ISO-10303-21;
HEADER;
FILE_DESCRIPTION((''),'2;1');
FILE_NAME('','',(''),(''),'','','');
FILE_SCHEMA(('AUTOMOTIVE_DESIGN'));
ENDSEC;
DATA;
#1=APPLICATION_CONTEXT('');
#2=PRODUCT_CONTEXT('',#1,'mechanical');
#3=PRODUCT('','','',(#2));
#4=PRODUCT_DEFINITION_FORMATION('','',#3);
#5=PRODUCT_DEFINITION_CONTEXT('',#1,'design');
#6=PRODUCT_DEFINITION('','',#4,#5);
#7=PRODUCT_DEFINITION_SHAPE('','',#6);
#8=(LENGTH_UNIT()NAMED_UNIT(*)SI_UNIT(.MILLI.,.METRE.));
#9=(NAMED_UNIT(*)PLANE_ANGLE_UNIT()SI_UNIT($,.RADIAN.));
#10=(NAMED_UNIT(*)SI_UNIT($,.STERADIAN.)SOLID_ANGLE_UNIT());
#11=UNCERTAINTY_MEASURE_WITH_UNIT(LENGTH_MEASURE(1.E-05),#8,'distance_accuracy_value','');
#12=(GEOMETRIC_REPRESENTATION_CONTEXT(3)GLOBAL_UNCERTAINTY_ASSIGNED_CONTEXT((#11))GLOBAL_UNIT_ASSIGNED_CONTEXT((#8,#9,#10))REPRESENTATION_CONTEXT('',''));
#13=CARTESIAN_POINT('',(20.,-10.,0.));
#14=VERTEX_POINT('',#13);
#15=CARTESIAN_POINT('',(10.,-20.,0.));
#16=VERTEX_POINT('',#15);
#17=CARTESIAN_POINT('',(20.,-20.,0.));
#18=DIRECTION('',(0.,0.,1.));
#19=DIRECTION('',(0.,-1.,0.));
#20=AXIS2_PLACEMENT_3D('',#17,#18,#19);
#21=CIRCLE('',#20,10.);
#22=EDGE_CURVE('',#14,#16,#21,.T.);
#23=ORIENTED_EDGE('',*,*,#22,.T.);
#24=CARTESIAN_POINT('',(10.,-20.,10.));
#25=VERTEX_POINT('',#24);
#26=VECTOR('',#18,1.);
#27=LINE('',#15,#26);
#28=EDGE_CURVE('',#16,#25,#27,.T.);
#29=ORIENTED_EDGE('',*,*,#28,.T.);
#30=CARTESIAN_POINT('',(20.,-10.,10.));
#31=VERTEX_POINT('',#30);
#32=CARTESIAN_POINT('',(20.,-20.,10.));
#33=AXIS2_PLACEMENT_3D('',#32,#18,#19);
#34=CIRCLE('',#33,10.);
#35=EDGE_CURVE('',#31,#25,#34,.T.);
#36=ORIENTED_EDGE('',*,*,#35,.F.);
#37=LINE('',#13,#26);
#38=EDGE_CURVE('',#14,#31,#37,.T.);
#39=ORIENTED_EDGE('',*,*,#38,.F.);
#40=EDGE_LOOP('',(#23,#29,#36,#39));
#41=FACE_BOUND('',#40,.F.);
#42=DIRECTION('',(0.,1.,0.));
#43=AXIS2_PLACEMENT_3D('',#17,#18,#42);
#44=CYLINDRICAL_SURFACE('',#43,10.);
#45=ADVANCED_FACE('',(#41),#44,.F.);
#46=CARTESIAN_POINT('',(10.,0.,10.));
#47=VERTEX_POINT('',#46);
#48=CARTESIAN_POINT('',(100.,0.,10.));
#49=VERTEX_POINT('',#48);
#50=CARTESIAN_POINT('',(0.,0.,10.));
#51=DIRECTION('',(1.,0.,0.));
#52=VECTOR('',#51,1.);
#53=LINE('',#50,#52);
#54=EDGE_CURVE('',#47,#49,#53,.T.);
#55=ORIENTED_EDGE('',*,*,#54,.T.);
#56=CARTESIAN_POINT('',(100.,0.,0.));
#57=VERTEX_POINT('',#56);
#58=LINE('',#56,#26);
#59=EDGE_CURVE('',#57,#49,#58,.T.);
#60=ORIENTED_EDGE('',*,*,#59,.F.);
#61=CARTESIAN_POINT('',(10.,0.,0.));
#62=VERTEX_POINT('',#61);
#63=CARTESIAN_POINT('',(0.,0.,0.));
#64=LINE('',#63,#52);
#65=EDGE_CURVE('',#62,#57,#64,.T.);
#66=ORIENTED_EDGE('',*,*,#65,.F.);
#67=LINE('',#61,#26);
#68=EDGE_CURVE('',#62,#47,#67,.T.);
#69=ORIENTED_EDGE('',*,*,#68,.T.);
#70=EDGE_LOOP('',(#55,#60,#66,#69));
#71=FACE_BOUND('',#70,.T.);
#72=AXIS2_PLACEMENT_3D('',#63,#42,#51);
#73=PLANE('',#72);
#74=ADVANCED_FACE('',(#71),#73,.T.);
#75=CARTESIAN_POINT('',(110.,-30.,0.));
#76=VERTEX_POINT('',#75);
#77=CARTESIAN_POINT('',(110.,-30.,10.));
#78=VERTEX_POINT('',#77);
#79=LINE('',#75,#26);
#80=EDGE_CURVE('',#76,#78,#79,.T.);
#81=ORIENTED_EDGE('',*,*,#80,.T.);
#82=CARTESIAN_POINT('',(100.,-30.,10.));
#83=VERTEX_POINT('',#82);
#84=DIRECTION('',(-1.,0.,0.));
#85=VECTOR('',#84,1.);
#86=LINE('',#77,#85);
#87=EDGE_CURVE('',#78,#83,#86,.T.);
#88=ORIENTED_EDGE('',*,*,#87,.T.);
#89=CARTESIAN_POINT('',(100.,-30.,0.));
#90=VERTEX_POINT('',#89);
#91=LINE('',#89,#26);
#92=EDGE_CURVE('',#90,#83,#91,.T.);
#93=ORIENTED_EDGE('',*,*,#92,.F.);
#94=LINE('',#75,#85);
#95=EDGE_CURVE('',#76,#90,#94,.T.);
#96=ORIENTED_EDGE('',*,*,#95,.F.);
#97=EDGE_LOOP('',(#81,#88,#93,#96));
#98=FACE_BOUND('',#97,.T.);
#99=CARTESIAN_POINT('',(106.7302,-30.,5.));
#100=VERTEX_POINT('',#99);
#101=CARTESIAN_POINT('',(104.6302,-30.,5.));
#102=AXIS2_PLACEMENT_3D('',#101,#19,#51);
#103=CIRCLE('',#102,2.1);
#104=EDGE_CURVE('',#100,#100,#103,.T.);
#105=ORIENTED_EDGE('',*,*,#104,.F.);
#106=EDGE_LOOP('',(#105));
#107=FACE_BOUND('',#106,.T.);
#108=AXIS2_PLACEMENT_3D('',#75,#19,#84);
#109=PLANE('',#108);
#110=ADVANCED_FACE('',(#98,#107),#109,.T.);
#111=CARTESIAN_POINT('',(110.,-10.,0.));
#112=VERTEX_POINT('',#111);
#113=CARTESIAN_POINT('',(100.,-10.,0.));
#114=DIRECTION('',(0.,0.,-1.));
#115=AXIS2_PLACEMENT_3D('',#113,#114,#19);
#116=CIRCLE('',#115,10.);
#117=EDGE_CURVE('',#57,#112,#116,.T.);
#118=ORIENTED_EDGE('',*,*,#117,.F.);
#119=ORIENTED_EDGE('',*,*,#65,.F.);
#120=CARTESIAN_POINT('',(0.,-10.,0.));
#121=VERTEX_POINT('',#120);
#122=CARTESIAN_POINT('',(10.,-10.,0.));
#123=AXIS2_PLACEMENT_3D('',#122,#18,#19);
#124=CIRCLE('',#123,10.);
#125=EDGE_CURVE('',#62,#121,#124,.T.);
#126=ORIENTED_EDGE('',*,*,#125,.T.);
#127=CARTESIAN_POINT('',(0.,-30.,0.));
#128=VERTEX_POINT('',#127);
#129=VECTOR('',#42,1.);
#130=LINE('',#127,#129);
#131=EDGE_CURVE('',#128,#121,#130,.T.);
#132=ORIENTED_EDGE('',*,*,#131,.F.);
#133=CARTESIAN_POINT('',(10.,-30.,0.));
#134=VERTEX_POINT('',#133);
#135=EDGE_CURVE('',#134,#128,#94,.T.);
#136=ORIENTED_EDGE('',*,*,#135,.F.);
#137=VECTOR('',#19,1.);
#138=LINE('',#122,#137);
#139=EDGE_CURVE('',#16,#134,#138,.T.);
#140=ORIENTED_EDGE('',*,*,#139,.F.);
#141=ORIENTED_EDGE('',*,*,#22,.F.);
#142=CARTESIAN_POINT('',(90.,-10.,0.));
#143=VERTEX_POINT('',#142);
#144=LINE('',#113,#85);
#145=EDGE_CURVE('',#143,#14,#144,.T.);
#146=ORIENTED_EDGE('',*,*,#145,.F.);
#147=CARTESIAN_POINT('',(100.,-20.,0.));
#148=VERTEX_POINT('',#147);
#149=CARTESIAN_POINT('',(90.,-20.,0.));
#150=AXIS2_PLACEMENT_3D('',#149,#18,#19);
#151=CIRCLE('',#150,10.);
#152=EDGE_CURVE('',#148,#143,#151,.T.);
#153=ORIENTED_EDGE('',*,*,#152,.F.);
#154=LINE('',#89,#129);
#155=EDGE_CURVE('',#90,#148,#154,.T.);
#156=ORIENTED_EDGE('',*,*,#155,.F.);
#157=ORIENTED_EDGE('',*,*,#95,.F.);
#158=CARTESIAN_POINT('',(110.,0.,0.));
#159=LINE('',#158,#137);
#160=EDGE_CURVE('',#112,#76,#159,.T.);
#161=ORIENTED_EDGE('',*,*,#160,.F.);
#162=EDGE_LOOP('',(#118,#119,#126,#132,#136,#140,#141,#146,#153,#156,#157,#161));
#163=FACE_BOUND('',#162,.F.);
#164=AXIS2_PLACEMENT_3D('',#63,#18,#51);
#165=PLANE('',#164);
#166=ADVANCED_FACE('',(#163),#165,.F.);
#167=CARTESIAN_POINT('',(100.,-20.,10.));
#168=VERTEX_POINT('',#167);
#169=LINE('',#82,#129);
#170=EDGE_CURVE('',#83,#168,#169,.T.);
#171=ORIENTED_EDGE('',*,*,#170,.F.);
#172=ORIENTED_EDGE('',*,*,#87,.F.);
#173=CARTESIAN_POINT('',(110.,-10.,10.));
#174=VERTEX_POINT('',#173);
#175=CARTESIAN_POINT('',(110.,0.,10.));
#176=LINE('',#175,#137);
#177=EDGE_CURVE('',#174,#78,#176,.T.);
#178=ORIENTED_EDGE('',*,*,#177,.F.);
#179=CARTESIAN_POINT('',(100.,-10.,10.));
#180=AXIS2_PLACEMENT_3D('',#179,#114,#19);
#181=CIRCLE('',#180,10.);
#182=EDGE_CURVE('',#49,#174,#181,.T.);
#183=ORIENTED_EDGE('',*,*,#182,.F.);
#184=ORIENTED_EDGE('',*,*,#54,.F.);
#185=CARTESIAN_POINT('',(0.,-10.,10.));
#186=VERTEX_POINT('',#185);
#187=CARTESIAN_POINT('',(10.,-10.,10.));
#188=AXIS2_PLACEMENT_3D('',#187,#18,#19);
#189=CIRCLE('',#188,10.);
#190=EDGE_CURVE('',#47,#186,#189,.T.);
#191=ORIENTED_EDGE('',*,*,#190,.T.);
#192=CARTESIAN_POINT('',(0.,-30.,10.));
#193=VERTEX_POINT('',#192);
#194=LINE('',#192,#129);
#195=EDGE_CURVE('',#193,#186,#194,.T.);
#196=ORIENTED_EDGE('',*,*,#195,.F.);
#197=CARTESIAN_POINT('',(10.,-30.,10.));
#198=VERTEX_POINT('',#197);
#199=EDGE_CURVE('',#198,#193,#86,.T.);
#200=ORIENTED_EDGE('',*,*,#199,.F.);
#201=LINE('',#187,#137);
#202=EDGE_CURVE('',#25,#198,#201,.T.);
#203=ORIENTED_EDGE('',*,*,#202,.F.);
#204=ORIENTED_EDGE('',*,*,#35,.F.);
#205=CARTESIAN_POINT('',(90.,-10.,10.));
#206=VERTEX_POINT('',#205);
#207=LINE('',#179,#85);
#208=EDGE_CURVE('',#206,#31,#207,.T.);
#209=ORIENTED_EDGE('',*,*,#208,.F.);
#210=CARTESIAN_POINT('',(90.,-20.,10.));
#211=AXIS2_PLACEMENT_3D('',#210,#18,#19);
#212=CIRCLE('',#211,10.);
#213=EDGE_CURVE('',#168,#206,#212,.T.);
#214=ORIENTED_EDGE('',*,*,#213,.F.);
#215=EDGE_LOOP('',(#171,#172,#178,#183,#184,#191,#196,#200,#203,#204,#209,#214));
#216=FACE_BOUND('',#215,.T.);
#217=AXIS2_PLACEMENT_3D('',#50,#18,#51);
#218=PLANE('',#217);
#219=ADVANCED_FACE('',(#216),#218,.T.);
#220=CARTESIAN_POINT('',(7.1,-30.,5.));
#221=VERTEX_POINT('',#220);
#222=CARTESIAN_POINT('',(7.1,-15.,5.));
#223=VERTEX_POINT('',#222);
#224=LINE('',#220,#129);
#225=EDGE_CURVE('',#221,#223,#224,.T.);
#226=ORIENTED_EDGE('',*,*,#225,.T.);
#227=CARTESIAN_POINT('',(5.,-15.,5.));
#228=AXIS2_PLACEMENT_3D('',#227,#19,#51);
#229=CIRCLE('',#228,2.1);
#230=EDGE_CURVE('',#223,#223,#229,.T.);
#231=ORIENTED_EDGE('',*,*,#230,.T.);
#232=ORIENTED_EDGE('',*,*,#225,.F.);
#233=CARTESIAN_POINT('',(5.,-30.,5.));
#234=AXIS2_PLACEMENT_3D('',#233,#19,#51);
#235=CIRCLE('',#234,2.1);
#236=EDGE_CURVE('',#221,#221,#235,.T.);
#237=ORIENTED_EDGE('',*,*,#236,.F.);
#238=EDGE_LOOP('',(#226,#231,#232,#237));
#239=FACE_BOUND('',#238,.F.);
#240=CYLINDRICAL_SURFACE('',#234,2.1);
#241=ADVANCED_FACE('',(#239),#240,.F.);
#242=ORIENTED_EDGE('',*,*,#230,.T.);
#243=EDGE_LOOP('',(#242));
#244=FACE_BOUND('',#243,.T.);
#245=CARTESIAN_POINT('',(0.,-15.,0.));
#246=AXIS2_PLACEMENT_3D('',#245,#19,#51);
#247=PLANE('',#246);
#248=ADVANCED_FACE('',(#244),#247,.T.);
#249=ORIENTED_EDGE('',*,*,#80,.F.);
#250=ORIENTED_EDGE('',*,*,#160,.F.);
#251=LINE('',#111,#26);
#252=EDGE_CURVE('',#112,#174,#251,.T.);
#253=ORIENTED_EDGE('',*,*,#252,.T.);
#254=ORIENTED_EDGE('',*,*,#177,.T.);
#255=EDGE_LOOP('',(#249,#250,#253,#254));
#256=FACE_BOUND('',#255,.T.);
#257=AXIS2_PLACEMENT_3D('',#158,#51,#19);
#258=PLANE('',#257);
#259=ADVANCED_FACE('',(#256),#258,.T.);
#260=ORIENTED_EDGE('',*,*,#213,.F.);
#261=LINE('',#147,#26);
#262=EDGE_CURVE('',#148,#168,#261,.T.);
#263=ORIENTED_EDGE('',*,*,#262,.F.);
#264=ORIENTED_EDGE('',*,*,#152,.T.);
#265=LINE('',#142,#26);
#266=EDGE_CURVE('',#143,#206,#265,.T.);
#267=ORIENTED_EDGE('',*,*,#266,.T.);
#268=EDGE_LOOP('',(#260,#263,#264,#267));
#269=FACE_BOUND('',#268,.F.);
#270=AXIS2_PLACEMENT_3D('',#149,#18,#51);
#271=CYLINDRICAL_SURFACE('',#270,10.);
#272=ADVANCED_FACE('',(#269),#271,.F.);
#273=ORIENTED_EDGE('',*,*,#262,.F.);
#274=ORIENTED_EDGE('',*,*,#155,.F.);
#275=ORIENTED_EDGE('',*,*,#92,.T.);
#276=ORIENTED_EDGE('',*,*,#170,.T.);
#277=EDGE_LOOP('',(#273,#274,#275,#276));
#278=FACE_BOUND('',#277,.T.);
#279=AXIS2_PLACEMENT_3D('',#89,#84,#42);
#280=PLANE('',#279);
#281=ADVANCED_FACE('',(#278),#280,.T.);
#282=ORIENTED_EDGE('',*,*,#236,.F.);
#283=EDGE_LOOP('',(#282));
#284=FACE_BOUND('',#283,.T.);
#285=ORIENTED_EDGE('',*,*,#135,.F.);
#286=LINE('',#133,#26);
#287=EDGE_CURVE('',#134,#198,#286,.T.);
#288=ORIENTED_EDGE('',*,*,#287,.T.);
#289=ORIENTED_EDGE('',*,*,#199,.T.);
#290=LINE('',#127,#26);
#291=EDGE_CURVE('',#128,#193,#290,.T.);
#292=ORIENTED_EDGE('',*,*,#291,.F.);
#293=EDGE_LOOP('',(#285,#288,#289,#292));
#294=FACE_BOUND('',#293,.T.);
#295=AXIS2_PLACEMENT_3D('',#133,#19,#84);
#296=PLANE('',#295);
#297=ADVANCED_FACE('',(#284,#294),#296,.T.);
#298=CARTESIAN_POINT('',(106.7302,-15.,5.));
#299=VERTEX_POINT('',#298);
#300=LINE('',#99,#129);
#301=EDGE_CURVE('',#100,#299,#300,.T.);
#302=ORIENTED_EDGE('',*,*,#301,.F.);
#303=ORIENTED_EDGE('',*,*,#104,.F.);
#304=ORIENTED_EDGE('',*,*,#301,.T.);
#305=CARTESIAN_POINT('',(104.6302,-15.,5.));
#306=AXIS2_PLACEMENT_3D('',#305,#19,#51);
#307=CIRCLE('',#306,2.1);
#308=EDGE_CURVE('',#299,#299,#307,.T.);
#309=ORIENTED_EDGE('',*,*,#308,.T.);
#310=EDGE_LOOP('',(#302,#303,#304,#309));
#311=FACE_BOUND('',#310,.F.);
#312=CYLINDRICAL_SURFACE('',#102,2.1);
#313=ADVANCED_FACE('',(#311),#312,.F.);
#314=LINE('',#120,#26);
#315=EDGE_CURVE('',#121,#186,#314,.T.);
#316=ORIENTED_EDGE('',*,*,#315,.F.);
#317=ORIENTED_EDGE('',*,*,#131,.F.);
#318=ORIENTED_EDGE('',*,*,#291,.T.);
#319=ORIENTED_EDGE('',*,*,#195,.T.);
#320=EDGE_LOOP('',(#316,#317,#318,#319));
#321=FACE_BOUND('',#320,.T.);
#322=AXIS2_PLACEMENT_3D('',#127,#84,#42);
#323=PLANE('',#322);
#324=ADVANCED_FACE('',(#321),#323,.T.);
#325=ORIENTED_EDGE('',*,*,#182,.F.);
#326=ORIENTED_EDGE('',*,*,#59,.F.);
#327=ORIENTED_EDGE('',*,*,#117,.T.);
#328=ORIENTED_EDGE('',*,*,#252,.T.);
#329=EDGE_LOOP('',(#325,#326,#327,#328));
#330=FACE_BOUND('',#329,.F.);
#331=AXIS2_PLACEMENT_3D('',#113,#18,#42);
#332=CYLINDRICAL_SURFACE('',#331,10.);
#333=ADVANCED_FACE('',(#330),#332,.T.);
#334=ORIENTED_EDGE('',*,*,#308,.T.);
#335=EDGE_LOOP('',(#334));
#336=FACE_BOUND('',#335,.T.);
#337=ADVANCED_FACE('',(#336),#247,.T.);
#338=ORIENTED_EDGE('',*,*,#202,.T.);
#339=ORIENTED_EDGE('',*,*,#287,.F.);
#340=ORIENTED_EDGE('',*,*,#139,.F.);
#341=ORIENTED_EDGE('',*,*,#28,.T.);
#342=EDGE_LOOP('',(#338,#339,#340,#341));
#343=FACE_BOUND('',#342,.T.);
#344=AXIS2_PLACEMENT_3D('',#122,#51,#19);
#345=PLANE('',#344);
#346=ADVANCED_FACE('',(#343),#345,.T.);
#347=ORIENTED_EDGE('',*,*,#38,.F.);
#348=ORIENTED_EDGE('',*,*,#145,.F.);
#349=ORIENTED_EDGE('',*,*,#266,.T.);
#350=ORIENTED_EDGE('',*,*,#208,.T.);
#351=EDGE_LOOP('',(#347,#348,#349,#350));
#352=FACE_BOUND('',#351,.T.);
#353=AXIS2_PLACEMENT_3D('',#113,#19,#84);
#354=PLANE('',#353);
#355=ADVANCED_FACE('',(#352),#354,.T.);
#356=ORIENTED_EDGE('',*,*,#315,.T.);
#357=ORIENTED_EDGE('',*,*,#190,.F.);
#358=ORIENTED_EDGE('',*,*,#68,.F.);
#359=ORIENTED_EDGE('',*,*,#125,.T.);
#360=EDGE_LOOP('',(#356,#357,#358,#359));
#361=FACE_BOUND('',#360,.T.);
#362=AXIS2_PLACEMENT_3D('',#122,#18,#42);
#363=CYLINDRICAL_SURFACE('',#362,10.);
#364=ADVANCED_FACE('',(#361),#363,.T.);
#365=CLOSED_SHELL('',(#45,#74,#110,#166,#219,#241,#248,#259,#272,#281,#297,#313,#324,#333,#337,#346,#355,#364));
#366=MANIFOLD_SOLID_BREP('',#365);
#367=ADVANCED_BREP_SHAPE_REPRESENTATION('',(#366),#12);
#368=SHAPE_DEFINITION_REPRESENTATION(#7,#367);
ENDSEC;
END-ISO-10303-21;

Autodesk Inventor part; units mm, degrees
ref_plane "YZ Plane" through (0, 0, 0) normal (1, 0, 0) x (0, 1, 0)
ref_plane "XZ Plane" through (0, 0, 0) normal (0, 1, 0) x (-1, 0, 0)
ref_plane "XY Plane" through (0, 0, 0) normal (0, 0, 1) x (1, 0, 0)
sketch "Sketch1" plane through (0, 0, 0) normal (0, 0, 1) x (1, 0, 0)
  line L0 (0, 0) -> (110, 0)
  line L1 (110, 0) -> (110, -30)
  line L2 (110, -30) -> (0, -30)
  line L3 (0, -30) -> (0, 0)
  line L4 (10, -30) -> (100, -30)
  line L5 (100, -30) -> (100, -10)
  line L6 (100, -10) -> (10, -10)
  line L7 (10, -10) -> (10, -30)
  point P0 (0, -15)
  point P1 (55, 0)
  dimension "d0" = 110
  dimension "d1" = 30
  dimension "d2" = 10
  dimension "d3" = 10
  dimension "d4" = 10
extrude "Extrusion1" add sketch "Sketch1" along normal blind 10 contours L0 L1 L2 L5 L6 L7 L3
fillet "Fillet1" radius 10 4 edges at (0, 0, 5) (110, 0, 5) (10, -10, 5) (100, -10, 5)
sketch "Sketch2" plane through (0, -30, 0) normal (0, -1, 0) x (1, 0, 0)
  line L0 (0, 0) -> (10, 0) projected
  line L1 (0, 0) -> (0, 10) projected
  circle A0 centre (5, 5) radius 2.1
  line L2 (110, 0) -> (110, 10) projected
  line L3 (100, 0) -> (110, 0) projected
  circle A1 centre (104.6302, 5) radius 2.1
  point P0 (5, 0)
  point P1 (0, 5)
  point P2 (105, 5)
  point P3 (110, 5)
  dimension "d8" = 5
  dimension "d9" = 5
  dimension "d10" = 4.2
  dimension "d11" = 5
  dimension "d12" = 5
  dimension "d13" = 4.2
extrude "Extrusion2" cut sketch "Sketch2" against normal blind 15
equation "\"d3\" = d2"
equation "\"d4\" = d2"
equation "\"d5\" = d2"
equation "\"d8\" = 0.5 * d2"
equation "\"d9\" = 0.5 * d2"
equation "\"d11\" = d9"
equation "\"d12\" = d8"
equation "\"d13\" = d10"
properties part number "side door handle v02"
